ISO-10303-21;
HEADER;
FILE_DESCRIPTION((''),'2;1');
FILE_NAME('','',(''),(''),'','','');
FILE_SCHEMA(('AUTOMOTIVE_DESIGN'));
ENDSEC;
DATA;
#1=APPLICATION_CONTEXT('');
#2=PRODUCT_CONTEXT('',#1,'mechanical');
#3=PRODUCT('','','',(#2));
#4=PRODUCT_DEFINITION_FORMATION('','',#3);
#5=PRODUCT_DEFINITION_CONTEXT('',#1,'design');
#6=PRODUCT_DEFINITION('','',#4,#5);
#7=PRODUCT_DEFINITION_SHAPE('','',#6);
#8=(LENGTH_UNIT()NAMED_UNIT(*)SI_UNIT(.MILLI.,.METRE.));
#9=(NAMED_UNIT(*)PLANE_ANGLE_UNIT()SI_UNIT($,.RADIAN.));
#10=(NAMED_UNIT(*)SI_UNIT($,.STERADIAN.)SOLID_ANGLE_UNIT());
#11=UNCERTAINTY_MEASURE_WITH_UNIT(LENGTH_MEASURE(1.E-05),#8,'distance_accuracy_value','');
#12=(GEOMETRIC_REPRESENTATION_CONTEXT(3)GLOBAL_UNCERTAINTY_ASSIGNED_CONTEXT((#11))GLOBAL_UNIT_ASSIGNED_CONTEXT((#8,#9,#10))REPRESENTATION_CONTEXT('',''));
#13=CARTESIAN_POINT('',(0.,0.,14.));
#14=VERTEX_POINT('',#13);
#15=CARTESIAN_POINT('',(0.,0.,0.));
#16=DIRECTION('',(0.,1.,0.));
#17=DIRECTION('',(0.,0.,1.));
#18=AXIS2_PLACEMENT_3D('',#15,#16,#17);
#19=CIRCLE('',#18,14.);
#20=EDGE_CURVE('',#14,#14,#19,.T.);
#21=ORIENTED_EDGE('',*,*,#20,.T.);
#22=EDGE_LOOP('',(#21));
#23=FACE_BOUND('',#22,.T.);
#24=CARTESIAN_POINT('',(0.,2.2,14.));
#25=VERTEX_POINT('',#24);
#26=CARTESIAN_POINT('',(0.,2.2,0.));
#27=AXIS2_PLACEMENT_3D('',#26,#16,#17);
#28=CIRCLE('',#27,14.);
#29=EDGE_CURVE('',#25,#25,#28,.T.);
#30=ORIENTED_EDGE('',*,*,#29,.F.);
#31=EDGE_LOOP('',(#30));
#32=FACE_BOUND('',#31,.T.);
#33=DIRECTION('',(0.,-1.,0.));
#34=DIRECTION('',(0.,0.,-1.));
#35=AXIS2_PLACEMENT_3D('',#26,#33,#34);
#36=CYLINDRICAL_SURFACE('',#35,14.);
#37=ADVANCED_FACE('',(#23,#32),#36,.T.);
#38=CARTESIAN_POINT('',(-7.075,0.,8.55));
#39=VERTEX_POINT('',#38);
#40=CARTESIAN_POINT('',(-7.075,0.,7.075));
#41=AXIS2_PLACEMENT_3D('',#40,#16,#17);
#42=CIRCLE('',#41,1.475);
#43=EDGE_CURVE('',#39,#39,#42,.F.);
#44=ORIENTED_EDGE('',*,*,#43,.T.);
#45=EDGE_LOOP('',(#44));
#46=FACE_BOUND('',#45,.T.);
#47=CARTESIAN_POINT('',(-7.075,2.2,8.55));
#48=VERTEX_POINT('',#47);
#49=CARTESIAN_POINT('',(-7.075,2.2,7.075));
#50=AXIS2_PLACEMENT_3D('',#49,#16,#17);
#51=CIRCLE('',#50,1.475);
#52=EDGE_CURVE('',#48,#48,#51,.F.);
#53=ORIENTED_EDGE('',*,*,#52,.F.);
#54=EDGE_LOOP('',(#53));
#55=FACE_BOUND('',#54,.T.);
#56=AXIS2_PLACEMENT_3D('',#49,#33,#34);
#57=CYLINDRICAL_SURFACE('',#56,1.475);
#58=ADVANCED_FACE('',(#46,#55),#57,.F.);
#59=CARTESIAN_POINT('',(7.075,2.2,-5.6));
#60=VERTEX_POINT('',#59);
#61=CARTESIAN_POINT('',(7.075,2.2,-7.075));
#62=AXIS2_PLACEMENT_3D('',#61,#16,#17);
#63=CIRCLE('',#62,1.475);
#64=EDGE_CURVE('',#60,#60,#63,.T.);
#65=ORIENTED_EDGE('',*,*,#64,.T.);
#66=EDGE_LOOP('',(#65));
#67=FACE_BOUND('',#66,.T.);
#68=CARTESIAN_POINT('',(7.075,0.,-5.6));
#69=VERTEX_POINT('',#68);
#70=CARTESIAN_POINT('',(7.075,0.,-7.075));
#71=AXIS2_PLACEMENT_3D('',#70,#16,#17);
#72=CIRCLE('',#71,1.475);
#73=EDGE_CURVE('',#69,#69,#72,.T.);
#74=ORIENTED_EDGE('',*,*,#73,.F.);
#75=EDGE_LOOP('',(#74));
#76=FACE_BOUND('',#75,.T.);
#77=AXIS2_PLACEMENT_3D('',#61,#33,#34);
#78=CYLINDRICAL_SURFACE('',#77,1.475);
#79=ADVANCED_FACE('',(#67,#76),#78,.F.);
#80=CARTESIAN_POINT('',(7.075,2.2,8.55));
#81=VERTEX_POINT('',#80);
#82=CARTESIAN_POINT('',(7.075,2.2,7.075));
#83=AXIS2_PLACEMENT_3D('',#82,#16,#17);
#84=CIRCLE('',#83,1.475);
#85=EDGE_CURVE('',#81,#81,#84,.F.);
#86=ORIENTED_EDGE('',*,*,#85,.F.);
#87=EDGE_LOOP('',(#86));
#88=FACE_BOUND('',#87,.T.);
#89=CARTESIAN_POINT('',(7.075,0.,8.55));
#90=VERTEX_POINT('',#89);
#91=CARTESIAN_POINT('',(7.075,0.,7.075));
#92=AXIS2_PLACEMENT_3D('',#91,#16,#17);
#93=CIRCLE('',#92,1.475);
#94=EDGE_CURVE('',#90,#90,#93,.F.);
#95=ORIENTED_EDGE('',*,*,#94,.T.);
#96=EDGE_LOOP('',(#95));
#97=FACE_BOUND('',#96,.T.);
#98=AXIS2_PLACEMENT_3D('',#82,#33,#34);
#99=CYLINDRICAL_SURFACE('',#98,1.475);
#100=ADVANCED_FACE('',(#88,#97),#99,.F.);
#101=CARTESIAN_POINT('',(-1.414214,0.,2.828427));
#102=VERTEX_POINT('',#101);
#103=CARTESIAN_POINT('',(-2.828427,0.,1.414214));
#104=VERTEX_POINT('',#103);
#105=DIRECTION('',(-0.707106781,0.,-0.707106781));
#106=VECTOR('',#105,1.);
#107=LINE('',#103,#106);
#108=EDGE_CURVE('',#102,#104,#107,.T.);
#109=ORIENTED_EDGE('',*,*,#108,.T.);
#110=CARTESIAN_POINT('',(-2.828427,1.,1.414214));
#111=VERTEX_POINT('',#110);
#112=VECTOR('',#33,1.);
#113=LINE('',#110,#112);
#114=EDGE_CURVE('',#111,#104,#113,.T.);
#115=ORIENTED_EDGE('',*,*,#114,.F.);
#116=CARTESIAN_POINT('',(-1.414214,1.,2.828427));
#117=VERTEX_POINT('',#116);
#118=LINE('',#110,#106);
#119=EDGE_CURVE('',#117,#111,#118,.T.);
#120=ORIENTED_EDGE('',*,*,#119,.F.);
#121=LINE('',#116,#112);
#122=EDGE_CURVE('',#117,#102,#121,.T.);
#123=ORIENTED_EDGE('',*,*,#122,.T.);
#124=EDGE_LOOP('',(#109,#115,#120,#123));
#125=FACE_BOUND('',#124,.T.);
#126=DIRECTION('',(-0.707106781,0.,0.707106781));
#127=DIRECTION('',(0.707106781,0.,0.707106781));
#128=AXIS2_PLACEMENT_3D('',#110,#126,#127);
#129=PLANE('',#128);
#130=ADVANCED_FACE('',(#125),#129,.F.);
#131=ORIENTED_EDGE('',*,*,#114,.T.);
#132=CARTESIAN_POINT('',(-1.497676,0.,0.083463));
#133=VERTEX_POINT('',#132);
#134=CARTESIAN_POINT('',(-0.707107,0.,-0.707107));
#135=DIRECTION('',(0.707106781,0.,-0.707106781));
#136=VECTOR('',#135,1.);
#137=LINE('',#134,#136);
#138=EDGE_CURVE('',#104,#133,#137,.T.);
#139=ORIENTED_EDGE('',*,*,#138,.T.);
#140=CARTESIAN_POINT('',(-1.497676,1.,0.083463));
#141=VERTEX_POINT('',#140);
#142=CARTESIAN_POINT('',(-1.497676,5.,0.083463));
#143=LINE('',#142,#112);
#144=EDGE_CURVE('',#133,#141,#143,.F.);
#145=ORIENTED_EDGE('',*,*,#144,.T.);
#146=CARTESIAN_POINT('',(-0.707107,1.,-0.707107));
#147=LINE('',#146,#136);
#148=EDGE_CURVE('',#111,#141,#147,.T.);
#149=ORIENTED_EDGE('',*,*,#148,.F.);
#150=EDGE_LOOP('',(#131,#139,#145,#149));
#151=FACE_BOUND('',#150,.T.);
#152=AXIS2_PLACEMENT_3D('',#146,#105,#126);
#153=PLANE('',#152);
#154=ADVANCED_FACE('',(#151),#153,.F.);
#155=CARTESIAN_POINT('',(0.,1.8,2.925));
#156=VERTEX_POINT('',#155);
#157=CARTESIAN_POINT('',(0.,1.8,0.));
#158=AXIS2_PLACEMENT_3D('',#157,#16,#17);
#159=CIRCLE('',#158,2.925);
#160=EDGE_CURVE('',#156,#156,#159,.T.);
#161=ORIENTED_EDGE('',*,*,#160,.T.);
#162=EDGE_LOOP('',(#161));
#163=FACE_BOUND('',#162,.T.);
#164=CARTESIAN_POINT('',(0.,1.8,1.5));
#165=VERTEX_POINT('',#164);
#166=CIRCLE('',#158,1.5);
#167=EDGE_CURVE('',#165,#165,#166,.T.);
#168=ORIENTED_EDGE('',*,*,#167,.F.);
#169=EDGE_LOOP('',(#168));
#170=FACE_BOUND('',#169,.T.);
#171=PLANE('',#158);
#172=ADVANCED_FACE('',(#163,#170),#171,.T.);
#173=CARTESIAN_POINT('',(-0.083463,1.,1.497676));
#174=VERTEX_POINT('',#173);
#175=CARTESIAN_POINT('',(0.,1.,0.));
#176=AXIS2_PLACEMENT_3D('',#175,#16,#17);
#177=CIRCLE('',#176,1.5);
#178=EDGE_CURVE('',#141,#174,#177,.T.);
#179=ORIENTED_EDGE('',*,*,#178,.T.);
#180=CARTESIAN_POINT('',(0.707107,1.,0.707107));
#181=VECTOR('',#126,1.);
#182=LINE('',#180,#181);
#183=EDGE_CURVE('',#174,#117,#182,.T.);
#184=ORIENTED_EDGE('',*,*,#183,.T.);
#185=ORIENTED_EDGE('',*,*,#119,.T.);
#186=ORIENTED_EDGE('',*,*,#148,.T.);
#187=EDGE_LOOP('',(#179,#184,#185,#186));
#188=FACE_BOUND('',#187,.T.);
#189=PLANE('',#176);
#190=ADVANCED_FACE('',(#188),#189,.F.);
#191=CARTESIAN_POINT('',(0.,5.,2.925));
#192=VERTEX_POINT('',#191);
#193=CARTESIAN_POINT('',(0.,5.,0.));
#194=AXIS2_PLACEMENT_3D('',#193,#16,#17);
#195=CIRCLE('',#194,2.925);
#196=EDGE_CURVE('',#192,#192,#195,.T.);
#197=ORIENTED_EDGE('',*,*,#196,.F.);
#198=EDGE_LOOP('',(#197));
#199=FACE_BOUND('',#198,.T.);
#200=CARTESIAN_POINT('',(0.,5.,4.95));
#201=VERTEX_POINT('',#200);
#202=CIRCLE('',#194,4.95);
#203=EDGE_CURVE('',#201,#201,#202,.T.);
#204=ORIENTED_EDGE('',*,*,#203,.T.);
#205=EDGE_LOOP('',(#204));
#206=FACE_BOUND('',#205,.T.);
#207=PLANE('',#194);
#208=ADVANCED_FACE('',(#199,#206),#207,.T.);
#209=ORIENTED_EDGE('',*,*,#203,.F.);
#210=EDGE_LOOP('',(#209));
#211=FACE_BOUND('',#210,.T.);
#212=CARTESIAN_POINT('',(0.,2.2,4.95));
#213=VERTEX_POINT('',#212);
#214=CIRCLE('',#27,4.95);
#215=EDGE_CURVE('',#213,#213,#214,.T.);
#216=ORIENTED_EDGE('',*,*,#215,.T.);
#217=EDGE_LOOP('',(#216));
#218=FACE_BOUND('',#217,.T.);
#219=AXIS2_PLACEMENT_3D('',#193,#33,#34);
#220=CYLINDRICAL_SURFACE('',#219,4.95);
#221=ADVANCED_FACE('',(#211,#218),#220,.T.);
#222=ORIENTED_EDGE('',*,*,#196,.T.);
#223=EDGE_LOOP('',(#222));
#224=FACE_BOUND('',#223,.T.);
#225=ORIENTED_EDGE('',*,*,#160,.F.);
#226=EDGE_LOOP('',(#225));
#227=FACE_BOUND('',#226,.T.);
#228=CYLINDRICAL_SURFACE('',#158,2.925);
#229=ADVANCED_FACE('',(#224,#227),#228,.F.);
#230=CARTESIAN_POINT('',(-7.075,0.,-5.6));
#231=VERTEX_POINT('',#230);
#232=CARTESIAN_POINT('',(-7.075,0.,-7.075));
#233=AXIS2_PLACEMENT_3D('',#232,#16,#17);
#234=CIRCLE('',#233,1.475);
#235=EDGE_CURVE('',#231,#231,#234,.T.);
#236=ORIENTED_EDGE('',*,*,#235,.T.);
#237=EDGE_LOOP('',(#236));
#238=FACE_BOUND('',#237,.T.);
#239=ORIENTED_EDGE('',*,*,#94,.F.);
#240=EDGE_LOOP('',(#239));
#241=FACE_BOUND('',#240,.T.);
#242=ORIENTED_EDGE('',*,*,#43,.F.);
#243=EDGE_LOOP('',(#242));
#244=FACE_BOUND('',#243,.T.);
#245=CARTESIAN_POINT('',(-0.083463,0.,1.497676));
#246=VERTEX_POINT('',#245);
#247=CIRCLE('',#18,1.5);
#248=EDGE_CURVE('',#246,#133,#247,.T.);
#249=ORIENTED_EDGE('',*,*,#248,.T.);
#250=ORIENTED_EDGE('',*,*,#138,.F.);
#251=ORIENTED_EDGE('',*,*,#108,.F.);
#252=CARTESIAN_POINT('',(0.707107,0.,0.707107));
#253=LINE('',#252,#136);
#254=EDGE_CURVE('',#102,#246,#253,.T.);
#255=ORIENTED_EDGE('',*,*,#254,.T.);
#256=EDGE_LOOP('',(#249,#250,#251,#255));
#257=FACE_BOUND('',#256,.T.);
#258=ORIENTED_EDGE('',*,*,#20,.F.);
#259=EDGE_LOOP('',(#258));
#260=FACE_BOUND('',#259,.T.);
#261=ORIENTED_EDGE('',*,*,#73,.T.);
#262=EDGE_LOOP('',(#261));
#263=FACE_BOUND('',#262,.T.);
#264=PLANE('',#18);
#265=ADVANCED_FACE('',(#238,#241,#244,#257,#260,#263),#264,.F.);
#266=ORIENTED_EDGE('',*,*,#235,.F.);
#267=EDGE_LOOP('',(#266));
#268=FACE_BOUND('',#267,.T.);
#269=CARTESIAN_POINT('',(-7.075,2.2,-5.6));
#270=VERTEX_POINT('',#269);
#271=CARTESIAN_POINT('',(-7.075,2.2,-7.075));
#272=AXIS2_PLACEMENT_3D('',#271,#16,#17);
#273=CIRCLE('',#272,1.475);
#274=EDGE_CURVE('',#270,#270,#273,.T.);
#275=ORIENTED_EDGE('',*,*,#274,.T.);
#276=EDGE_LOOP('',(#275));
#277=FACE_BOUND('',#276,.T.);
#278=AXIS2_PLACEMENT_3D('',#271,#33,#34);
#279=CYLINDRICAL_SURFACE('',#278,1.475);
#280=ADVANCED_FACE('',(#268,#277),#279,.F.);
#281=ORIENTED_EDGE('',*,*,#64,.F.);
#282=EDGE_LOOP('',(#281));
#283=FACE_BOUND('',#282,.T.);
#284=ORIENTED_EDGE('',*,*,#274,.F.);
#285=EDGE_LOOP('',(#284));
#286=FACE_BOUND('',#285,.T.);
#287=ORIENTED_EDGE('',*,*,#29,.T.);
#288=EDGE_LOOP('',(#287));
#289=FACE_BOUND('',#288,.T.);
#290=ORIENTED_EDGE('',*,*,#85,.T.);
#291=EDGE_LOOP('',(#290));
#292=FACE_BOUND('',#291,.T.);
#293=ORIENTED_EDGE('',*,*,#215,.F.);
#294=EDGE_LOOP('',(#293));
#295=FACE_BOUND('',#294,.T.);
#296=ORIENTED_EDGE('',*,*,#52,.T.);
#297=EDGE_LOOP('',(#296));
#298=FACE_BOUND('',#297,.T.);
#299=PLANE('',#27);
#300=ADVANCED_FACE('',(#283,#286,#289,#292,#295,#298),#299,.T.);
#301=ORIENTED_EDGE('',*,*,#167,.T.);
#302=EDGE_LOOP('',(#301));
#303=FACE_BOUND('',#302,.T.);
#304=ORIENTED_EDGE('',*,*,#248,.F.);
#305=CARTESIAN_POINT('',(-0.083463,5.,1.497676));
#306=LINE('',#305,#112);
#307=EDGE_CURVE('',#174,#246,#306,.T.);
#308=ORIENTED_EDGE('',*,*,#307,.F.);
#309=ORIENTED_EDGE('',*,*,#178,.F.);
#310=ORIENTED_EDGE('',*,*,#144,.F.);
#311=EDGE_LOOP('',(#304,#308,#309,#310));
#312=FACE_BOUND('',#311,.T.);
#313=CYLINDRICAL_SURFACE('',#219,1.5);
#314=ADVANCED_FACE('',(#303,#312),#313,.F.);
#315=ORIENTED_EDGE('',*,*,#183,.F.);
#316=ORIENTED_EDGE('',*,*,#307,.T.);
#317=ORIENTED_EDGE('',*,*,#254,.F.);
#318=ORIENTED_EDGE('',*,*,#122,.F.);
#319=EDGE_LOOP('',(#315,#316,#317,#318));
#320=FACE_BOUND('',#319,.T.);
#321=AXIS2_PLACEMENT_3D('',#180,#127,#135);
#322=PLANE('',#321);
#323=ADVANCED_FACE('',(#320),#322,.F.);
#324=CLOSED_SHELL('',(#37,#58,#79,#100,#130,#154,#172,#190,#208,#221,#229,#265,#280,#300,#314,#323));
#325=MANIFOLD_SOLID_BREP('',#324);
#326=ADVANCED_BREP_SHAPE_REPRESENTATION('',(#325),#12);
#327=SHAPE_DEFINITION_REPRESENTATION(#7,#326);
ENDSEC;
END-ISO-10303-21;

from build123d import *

# Parameters (mm, degrees)
SKETCH_1_R          = 14
SKETCH_1_R_2        = 1.475
SKETCH_1_R_3        = 4.95
EXTRUDE_1_DEPTH     = 2.2
SKETCH_1_3_R        = 4.95
SKETCH_1_3_R_2      = 1.5
EXTRUDE_2_DEPTH     = 5
SKETCH_2_R          = 2.925
CUT_EXTRUDE_1_DEPTH = 3.2
CUT_EXTRUDE_2_DEPTH = 1


with BuildPart() as part:
    # 스케치1 → 보스-돌출1 (new body)
    with BuildSketch(Plane(origin=(0, 0, 0), x_dir=(1, 0, 0), z_dir=(0, 1, 0))):
        Circle(SKETCH_1_R)
        with Locations((-7.075, -7.075)):
            Circle(SKETCH_1_R_2, mode=Mode.SUBTRACT)
        with Locations((7.075, -7.075)):
            Circle(SKETCH_1_R_2, mode=Mode.SUBTRACT)
        with Locations((-7.075, 7.075)):
            Circle(SKETCH_1_R_2, mode=Mode.SUBTRACT)
        Circle(SKETCH_1_R_3, mode=Mode.SUBTRACT)
        with Locations((7.075, 7.075)):
            Circle(SKETCH_1_R_2, mode=Mode.SUBTRACT)
    extrude(amount=EXTRUDE_1_DEPTH)

    # 스케치1<3> → 보스-돌출2 (add)
    with BuildSketch(Plane(origin=(0, 0, 0), x_dir=(1, 0, 0), z_dir=(0, 1, 0))):
        Circle(SKETCH_1_3_R)
        Circle(SKETCH_1_3_R_2, mode=Mode.SUBTRACT)
    extrude(amount=EXTRUDE_2_DEPTH)

    # 스케치2 → 컷-돌출1 (cut)
    with BuildSketch(Plane(origin=(0, 5, 0), x_dir=(1, 0, 0), z_dir=(0, 1, 0))):
        Circle(SKETCH_2_R)
    extrude(amount=-CUT_EXTRUDE_1_DEPTH, mode=Mode.SUBTRACT)

    # 스케치3 → 컷-돌출2 (cut)
    with BuildSketch(Plane.XZ):
        Polygon((0.707106781, 0.707106781), (-0.707106781, -0.707106781), (-2.828427125, 1.414213562), (-1.414213562, 2.828427125), align=None)
    extrude(amount=-CUT_EXTRUDE_2_DEPTH, mode=Mode.SUBTRACT)


solid = part.part
